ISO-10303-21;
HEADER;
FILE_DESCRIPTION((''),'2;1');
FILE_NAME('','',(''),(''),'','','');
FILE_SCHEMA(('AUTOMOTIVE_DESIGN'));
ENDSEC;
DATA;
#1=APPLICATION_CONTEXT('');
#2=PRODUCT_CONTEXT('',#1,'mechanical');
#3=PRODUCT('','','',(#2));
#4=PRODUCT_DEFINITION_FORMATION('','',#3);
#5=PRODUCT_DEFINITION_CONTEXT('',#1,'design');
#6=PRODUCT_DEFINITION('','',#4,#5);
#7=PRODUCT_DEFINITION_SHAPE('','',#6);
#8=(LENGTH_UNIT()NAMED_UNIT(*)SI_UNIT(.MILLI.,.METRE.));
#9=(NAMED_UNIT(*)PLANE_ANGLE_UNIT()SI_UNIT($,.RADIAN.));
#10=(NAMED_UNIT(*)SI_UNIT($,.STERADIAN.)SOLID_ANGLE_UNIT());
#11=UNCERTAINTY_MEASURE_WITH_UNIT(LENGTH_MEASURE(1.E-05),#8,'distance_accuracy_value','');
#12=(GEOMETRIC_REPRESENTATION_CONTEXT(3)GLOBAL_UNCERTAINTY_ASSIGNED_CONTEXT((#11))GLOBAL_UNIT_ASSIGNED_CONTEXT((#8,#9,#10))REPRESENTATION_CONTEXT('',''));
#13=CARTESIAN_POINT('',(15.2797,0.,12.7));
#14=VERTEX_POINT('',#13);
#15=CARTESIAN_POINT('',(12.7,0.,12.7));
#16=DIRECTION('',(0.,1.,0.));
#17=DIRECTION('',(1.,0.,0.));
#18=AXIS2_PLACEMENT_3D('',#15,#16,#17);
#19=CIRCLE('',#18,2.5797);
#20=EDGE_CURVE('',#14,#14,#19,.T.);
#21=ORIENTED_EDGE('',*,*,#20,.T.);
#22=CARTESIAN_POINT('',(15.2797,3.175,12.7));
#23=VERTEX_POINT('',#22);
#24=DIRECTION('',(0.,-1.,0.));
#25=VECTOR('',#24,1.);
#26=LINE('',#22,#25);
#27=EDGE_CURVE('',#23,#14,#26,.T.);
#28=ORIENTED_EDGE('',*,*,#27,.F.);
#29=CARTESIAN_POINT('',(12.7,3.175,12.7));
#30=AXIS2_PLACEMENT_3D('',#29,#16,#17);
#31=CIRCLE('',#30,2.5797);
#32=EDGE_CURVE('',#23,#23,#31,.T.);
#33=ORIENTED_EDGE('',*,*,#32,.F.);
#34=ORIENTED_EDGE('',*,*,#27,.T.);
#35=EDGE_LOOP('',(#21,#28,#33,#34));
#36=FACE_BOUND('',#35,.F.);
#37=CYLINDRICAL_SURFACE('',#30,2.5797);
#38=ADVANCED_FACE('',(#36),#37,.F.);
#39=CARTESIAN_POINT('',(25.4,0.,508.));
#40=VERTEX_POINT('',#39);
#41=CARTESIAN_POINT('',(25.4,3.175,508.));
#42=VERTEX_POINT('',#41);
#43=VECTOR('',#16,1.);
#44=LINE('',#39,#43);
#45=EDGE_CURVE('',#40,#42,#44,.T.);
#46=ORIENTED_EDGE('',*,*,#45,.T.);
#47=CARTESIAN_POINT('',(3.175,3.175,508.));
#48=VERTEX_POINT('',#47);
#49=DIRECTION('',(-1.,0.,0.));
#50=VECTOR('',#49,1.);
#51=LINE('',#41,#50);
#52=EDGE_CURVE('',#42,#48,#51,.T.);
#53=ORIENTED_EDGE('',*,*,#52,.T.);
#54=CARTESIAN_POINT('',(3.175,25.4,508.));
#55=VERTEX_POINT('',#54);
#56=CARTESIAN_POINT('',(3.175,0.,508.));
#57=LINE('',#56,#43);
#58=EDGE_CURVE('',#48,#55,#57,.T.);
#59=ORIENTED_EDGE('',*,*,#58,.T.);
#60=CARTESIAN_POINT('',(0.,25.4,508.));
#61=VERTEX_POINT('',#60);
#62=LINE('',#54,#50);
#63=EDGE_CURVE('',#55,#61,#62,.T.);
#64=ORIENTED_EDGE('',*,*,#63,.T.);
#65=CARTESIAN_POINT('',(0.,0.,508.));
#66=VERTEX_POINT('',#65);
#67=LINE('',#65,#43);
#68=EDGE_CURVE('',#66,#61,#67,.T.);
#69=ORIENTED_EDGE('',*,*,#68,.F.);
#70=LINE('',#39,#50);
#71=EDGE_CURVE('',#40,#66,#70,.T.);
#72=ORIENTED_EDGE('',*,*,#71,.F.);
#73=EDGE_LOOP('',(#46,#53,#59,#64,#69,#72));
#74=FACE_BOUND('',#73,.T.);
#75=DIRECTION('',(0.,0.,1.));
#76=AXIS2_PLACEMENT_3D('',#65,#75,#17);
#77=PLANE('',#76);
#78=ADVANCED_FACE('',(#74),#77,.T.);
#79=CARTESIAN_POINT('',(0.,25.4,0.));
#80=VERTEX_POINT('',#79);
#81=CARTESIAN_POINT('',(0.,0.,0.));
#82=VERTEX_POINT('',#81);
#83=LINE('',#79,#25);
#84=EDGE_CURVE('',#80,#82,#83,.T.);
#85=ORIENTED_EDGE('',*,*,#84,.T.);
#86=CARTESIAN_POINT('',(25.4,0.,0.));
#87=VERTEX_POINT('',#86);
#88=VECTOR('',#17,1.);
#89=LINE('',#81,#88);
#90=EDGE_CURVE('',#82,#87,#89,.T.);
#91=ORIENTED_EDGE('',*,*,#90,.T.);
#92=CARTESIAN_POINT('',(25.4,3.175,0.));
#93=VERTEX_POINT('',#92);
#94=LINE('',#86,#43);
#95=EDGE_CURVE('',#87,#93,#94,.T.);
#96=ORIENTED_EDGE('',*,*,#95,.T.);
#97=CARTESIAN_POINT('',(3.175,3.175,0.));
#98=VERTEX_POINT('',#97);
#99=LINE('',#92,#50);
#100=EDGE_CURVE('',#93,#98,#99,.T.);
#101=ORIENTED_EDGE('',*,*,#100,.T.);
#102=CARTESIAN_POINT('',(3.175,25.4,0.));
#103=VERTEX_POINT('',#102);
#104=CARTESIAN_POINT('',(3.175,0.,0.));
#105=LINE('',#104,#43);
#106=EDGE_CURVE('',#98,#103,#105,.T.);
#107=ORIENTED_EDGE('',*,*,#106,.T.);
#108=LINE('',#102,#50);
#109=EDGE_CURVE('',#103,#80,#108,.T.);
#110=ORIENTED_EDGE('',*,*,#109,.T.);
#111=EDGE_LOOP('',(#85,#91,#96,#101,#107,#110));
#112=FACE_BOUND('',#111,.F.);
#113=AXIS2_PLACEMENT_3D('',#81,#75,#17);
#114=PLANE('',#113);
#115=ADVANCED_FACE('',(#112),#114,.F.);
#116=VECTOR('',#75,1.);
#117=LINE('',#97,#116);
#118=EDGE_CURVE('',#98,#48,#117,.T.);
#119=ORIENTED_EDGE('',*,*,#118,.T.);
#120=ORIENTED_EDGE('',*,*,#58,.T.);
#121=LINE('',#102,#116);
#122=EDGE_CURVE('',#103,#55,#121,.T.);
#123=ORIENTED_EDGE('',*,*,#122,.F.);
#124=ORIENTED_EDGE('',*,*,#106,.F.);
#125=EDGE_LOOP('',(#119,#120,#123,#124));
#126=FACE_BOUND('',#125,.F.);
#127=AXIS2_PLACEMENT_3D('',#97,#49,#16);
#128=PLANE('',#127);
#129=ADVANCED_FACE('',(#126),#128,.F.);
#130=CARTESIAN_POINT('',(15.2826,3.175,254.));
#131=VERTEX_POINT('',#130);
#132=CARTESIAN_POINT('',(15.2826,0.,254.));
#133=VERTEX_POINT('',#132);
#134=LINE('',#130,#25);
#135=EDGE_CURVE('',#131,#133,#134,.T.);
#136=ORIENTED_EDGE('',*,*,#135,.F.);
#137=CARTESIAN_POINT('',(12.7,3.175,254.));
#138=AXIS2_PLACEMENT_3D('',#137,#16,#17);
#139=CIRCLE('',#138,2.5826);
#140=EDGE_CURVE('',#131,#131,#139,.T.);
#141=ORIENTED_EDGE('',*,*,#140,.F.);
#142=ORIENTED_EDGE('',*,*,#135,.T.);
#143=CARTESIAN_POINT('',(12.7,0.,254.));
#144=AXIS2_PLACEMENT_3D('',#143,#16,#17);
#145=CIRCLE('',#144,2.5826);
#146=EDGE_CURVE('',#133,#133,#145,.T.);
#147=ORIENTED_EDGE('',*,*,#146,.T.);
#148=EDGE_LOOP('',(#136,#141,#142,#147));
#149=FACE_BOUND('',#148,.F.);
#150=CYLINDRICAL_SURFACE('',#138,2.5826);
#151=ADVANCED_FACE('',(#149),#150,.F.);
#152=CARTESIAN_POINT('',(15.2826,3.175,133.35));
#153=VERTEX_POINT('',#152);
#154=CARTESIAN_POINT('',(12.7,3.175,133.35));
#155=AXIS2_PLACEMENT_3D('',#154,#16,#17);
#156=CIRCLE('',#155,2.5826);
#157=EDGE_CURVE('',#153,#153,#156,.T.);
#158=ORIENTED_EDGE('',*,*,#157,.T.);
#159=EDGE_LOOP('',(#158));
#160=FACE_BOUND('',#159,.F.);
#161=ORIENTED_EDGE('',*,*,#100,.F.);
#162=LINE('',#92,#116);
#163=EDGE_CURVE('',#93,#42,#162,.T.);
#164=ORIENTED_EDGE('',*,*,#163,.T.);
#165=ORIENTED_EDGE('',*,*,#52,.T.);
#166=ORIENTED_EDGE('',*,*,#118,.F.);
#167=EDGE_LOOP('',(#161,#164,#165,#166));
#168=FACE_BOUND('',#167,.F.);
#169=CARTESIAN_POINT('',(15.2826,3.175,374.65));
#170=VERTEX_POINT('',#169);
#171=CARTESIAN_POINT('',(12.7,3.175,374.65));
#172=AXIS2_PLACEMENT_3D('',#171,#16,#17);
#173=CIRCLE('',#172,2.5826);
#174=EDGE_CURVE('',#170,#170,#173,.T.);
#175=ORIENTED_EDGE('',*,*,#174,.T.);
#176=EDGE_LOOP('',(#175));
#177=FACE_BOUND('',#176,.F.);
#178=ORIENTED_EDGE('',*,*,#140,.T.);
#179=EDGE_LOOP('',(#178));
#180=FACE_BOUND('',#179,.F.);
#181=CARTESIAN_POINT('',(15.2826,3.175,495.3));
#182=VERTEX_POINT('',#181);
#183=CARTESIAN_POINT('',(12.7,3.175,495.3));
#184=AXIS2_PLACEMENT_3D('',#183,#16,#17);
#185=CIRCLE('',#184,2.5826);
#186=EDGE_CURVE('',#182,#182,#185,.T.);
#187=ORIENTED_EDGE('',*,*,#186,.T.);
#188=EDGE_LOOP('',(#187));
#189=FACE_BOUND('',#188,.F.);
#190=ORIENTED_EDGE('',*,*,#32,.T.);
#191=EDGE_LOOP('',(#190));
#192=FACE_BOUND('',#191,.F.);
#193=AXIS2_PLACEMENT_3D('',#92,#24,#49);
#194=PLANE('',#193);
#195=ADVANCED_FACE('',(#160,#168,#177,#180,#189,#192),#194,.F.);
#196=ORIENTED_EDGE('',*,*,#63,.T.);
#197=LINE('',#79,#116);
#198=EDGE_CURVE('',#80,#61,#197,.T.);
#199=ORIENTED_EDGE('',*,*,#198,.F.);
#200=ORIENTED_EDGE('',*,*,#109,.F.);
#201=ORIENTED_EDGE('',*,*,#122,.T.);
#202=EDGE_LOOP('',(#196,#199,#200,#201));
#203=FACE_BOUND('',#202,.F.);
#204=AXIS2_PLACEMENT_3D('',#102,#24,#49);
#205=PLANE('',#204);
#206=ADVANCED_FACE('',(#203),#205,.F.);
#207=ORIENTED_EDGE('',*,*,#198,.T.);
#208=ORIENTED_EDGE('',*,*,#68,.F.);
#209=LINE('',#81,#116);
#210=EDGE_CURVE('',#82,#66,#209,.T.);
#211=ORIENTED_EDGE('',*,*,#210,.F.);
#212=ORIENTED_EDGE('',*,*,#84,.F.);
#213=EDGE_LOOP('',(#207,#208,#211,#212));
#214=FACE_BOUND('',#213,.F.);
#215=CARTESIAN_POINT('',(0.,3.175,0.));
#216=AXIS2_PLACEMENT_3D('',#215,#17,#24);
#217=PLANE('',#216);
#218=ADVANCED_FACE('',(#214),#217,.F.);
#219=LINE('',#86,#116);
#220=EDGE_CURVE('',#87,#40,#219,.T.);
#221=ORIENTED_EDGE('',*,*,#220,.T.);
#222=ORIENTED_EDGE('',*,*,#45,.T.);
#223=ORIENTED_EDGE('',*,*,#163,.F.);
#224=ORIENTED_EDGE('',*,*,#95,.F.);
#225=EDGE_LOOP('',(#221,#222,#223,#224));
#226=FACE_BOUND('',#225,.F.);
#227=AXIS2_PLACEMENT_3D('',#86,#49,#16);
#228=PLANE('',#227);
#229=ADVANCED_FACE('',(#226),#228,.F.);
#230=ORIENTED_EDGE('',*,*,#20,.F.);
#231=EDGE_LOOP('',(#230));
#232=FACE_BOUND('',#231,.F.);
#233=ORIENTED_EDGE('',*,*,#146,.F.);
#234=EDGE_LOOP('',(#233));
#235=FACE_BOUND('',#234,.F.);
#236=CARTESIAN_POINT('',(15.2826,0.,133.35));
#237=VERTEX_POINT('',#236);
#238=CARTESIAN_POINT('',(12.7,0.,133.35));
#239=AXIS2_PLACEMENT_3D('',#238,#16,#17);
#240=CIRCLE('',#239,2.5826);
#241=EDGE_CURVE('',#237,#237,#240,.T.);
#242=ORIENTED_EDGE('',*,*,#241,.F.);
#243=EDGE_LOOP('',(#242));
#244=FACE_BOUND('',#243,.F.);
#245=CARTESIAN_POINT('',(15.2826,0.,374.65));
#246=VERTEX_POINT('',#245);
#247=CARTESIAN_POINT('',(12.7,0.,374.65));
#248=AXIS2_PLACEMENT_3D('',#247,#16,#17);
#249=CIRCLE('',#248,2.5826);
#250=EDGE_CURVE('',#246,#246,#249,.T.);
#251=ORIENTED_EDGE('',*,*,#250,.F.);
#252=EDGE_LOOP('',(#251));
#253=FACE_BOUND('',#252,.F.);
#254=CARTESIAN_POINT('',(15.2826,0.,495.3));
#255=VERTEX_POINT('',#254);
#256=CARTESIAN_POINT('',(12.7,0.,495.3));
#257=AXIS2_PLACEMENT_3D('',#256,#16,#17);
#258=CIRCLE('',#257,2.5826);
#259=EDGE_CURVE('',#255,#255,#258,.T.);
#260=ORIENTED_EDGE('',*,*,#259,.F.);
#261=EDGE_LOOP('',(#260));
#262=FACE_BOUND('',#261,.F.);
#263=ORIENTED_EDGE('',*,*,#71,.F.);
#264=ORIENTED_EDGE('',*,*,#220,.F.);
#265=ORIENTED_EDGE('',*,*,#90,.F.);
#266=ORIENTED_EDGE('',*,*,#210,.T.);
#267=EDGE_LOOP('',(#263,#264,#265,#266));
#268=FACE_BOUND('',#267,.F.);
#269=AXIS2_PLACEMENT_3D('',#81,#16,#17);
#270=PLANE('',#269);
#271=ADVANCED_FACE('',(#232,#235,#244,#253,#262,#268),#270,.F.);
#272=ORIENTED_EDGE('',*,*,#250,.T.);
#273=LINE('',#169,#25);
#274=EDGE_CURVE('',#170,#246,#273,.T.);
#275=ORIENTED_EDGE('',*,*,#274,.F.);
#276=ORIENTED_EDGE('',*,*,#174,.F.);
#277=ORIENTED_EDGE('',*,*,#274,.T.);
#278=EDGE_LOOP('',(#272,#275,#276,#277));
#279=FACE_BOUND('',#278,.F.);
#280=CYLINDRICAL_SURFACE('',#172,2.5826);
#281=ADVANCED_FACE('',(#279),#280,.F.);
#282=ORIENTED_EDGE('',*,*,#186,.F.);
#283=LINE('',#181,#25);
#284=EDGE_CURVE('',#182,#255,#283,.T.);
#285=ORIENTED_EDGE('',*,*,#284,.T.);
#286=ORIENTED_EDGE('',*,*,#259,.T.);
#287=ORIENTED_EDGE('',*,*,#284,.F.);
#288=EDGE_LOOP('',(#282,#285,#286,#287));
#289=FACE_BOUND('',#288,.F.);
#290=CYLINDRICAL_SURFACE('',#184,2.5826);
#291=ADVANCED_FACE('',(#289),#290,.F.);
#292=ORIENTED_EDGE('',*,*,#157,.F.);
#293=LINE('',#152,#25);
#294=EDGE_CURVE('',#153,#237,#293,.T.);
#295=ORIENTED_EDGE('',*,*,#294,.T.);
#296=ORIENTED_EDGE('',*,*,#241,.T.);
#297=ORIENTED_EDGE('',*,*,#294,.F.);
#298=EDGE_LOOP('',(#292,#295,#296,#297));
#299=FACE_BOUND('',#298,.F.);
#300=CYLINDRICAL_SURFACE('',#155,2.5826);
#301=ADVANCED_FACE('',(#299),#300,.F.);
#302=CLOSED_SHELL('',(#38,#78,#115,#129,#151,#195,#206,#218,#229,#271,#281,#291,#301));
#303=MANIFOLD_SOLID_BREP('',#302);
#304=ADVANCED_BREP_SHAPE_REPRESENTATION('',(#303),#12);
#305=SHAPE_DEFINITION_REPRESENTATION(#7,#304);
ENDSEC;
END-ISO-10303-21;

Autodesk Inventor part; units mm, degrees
ref_plane "YZ Plane" through (0, 0, 0) normal (1, 0, 0) x (0, 1, 0)
ref_plane "XZ Plane" through (0, 0, 0) normal (0, 1, 0) x (-1, 0, 0)
ref_plane "XY Plane" through (0, 0, 0) normal (0, 0, 1) x (1, 0, 0)
sketch "Sketch1" plane through (0, 0, 0) normal (0, 0, 1) x (1, 0, 0)
  line L0 (0, 0) -> (3.175, 0)
  line L1 (3.175, 0) -> (3.175, 25.4)
  line L2 (3.175, 25.4) -> (0, 25.4)
  line L3 (0, 25.4) -> (0, 0)
  line L4 (0, 0) -> (25.4, 0)
  line L5 (25.4, 0) -> (25.4, 3.175)
  line L6 (25.4, 3.175) -> (0, 3.175)
  line L7 (0, 3.175) -> (0, 0)
  dimension "d0" = 3.175
  dimension "d1" = 25.4
  dimension "d2" = 25.4
  dimension "d3" = 3.175
extrude "Extrusion1" add sketch "Sketch1" along normal blind 508
sketch "Sketch2" plane through (3.175, 3.175, 0) normal (0, 1, 0) x (1, 0, 0)
  line L0 (-3.175, 0) -> (9.525, 0) construction
  line L1 (22.225, 0) -> (0, 0) construction
  line L2 (9.525, 0) -> (9.525, -12.7) construction
  circle A0 centre (9.525, -12.7) radius 2.5797
  line L3 (-3.175, -508) -> (22.225, -508) construction
  line L4 (9.525, -508) -> (9.525, -495.3) construction
  circle A1 centre (9.525, -495.3) radius 2.5826
  line L5 (-3.175, 0) -> (-3.175, -508) construction
  line L6 (-3.175, -254) -> (22.225, -254) construction
  line L7 (22.225, 0) -> (22.225, -508) construction
  line L8 (9.525, -495.3) -> (9.525, -254) construction
  circle A2 centre (9.525, -374.65) radius 2.5826
  circle A3 centre (9.525, -254) radius 2.5826
  line L9 (9.525, -254) -> (9.525, -12.7) construction
  circle A4 centre (9.525, -133.35) radius 2.5826
  dimension "d6" = 12.7
  dimension "d7" = 12.7
  dimension "d16" = 12.7
extrude "Extrusion3" cut sketch "Sketch2" against normal blind 533.4
properties part number "Bumper L"
